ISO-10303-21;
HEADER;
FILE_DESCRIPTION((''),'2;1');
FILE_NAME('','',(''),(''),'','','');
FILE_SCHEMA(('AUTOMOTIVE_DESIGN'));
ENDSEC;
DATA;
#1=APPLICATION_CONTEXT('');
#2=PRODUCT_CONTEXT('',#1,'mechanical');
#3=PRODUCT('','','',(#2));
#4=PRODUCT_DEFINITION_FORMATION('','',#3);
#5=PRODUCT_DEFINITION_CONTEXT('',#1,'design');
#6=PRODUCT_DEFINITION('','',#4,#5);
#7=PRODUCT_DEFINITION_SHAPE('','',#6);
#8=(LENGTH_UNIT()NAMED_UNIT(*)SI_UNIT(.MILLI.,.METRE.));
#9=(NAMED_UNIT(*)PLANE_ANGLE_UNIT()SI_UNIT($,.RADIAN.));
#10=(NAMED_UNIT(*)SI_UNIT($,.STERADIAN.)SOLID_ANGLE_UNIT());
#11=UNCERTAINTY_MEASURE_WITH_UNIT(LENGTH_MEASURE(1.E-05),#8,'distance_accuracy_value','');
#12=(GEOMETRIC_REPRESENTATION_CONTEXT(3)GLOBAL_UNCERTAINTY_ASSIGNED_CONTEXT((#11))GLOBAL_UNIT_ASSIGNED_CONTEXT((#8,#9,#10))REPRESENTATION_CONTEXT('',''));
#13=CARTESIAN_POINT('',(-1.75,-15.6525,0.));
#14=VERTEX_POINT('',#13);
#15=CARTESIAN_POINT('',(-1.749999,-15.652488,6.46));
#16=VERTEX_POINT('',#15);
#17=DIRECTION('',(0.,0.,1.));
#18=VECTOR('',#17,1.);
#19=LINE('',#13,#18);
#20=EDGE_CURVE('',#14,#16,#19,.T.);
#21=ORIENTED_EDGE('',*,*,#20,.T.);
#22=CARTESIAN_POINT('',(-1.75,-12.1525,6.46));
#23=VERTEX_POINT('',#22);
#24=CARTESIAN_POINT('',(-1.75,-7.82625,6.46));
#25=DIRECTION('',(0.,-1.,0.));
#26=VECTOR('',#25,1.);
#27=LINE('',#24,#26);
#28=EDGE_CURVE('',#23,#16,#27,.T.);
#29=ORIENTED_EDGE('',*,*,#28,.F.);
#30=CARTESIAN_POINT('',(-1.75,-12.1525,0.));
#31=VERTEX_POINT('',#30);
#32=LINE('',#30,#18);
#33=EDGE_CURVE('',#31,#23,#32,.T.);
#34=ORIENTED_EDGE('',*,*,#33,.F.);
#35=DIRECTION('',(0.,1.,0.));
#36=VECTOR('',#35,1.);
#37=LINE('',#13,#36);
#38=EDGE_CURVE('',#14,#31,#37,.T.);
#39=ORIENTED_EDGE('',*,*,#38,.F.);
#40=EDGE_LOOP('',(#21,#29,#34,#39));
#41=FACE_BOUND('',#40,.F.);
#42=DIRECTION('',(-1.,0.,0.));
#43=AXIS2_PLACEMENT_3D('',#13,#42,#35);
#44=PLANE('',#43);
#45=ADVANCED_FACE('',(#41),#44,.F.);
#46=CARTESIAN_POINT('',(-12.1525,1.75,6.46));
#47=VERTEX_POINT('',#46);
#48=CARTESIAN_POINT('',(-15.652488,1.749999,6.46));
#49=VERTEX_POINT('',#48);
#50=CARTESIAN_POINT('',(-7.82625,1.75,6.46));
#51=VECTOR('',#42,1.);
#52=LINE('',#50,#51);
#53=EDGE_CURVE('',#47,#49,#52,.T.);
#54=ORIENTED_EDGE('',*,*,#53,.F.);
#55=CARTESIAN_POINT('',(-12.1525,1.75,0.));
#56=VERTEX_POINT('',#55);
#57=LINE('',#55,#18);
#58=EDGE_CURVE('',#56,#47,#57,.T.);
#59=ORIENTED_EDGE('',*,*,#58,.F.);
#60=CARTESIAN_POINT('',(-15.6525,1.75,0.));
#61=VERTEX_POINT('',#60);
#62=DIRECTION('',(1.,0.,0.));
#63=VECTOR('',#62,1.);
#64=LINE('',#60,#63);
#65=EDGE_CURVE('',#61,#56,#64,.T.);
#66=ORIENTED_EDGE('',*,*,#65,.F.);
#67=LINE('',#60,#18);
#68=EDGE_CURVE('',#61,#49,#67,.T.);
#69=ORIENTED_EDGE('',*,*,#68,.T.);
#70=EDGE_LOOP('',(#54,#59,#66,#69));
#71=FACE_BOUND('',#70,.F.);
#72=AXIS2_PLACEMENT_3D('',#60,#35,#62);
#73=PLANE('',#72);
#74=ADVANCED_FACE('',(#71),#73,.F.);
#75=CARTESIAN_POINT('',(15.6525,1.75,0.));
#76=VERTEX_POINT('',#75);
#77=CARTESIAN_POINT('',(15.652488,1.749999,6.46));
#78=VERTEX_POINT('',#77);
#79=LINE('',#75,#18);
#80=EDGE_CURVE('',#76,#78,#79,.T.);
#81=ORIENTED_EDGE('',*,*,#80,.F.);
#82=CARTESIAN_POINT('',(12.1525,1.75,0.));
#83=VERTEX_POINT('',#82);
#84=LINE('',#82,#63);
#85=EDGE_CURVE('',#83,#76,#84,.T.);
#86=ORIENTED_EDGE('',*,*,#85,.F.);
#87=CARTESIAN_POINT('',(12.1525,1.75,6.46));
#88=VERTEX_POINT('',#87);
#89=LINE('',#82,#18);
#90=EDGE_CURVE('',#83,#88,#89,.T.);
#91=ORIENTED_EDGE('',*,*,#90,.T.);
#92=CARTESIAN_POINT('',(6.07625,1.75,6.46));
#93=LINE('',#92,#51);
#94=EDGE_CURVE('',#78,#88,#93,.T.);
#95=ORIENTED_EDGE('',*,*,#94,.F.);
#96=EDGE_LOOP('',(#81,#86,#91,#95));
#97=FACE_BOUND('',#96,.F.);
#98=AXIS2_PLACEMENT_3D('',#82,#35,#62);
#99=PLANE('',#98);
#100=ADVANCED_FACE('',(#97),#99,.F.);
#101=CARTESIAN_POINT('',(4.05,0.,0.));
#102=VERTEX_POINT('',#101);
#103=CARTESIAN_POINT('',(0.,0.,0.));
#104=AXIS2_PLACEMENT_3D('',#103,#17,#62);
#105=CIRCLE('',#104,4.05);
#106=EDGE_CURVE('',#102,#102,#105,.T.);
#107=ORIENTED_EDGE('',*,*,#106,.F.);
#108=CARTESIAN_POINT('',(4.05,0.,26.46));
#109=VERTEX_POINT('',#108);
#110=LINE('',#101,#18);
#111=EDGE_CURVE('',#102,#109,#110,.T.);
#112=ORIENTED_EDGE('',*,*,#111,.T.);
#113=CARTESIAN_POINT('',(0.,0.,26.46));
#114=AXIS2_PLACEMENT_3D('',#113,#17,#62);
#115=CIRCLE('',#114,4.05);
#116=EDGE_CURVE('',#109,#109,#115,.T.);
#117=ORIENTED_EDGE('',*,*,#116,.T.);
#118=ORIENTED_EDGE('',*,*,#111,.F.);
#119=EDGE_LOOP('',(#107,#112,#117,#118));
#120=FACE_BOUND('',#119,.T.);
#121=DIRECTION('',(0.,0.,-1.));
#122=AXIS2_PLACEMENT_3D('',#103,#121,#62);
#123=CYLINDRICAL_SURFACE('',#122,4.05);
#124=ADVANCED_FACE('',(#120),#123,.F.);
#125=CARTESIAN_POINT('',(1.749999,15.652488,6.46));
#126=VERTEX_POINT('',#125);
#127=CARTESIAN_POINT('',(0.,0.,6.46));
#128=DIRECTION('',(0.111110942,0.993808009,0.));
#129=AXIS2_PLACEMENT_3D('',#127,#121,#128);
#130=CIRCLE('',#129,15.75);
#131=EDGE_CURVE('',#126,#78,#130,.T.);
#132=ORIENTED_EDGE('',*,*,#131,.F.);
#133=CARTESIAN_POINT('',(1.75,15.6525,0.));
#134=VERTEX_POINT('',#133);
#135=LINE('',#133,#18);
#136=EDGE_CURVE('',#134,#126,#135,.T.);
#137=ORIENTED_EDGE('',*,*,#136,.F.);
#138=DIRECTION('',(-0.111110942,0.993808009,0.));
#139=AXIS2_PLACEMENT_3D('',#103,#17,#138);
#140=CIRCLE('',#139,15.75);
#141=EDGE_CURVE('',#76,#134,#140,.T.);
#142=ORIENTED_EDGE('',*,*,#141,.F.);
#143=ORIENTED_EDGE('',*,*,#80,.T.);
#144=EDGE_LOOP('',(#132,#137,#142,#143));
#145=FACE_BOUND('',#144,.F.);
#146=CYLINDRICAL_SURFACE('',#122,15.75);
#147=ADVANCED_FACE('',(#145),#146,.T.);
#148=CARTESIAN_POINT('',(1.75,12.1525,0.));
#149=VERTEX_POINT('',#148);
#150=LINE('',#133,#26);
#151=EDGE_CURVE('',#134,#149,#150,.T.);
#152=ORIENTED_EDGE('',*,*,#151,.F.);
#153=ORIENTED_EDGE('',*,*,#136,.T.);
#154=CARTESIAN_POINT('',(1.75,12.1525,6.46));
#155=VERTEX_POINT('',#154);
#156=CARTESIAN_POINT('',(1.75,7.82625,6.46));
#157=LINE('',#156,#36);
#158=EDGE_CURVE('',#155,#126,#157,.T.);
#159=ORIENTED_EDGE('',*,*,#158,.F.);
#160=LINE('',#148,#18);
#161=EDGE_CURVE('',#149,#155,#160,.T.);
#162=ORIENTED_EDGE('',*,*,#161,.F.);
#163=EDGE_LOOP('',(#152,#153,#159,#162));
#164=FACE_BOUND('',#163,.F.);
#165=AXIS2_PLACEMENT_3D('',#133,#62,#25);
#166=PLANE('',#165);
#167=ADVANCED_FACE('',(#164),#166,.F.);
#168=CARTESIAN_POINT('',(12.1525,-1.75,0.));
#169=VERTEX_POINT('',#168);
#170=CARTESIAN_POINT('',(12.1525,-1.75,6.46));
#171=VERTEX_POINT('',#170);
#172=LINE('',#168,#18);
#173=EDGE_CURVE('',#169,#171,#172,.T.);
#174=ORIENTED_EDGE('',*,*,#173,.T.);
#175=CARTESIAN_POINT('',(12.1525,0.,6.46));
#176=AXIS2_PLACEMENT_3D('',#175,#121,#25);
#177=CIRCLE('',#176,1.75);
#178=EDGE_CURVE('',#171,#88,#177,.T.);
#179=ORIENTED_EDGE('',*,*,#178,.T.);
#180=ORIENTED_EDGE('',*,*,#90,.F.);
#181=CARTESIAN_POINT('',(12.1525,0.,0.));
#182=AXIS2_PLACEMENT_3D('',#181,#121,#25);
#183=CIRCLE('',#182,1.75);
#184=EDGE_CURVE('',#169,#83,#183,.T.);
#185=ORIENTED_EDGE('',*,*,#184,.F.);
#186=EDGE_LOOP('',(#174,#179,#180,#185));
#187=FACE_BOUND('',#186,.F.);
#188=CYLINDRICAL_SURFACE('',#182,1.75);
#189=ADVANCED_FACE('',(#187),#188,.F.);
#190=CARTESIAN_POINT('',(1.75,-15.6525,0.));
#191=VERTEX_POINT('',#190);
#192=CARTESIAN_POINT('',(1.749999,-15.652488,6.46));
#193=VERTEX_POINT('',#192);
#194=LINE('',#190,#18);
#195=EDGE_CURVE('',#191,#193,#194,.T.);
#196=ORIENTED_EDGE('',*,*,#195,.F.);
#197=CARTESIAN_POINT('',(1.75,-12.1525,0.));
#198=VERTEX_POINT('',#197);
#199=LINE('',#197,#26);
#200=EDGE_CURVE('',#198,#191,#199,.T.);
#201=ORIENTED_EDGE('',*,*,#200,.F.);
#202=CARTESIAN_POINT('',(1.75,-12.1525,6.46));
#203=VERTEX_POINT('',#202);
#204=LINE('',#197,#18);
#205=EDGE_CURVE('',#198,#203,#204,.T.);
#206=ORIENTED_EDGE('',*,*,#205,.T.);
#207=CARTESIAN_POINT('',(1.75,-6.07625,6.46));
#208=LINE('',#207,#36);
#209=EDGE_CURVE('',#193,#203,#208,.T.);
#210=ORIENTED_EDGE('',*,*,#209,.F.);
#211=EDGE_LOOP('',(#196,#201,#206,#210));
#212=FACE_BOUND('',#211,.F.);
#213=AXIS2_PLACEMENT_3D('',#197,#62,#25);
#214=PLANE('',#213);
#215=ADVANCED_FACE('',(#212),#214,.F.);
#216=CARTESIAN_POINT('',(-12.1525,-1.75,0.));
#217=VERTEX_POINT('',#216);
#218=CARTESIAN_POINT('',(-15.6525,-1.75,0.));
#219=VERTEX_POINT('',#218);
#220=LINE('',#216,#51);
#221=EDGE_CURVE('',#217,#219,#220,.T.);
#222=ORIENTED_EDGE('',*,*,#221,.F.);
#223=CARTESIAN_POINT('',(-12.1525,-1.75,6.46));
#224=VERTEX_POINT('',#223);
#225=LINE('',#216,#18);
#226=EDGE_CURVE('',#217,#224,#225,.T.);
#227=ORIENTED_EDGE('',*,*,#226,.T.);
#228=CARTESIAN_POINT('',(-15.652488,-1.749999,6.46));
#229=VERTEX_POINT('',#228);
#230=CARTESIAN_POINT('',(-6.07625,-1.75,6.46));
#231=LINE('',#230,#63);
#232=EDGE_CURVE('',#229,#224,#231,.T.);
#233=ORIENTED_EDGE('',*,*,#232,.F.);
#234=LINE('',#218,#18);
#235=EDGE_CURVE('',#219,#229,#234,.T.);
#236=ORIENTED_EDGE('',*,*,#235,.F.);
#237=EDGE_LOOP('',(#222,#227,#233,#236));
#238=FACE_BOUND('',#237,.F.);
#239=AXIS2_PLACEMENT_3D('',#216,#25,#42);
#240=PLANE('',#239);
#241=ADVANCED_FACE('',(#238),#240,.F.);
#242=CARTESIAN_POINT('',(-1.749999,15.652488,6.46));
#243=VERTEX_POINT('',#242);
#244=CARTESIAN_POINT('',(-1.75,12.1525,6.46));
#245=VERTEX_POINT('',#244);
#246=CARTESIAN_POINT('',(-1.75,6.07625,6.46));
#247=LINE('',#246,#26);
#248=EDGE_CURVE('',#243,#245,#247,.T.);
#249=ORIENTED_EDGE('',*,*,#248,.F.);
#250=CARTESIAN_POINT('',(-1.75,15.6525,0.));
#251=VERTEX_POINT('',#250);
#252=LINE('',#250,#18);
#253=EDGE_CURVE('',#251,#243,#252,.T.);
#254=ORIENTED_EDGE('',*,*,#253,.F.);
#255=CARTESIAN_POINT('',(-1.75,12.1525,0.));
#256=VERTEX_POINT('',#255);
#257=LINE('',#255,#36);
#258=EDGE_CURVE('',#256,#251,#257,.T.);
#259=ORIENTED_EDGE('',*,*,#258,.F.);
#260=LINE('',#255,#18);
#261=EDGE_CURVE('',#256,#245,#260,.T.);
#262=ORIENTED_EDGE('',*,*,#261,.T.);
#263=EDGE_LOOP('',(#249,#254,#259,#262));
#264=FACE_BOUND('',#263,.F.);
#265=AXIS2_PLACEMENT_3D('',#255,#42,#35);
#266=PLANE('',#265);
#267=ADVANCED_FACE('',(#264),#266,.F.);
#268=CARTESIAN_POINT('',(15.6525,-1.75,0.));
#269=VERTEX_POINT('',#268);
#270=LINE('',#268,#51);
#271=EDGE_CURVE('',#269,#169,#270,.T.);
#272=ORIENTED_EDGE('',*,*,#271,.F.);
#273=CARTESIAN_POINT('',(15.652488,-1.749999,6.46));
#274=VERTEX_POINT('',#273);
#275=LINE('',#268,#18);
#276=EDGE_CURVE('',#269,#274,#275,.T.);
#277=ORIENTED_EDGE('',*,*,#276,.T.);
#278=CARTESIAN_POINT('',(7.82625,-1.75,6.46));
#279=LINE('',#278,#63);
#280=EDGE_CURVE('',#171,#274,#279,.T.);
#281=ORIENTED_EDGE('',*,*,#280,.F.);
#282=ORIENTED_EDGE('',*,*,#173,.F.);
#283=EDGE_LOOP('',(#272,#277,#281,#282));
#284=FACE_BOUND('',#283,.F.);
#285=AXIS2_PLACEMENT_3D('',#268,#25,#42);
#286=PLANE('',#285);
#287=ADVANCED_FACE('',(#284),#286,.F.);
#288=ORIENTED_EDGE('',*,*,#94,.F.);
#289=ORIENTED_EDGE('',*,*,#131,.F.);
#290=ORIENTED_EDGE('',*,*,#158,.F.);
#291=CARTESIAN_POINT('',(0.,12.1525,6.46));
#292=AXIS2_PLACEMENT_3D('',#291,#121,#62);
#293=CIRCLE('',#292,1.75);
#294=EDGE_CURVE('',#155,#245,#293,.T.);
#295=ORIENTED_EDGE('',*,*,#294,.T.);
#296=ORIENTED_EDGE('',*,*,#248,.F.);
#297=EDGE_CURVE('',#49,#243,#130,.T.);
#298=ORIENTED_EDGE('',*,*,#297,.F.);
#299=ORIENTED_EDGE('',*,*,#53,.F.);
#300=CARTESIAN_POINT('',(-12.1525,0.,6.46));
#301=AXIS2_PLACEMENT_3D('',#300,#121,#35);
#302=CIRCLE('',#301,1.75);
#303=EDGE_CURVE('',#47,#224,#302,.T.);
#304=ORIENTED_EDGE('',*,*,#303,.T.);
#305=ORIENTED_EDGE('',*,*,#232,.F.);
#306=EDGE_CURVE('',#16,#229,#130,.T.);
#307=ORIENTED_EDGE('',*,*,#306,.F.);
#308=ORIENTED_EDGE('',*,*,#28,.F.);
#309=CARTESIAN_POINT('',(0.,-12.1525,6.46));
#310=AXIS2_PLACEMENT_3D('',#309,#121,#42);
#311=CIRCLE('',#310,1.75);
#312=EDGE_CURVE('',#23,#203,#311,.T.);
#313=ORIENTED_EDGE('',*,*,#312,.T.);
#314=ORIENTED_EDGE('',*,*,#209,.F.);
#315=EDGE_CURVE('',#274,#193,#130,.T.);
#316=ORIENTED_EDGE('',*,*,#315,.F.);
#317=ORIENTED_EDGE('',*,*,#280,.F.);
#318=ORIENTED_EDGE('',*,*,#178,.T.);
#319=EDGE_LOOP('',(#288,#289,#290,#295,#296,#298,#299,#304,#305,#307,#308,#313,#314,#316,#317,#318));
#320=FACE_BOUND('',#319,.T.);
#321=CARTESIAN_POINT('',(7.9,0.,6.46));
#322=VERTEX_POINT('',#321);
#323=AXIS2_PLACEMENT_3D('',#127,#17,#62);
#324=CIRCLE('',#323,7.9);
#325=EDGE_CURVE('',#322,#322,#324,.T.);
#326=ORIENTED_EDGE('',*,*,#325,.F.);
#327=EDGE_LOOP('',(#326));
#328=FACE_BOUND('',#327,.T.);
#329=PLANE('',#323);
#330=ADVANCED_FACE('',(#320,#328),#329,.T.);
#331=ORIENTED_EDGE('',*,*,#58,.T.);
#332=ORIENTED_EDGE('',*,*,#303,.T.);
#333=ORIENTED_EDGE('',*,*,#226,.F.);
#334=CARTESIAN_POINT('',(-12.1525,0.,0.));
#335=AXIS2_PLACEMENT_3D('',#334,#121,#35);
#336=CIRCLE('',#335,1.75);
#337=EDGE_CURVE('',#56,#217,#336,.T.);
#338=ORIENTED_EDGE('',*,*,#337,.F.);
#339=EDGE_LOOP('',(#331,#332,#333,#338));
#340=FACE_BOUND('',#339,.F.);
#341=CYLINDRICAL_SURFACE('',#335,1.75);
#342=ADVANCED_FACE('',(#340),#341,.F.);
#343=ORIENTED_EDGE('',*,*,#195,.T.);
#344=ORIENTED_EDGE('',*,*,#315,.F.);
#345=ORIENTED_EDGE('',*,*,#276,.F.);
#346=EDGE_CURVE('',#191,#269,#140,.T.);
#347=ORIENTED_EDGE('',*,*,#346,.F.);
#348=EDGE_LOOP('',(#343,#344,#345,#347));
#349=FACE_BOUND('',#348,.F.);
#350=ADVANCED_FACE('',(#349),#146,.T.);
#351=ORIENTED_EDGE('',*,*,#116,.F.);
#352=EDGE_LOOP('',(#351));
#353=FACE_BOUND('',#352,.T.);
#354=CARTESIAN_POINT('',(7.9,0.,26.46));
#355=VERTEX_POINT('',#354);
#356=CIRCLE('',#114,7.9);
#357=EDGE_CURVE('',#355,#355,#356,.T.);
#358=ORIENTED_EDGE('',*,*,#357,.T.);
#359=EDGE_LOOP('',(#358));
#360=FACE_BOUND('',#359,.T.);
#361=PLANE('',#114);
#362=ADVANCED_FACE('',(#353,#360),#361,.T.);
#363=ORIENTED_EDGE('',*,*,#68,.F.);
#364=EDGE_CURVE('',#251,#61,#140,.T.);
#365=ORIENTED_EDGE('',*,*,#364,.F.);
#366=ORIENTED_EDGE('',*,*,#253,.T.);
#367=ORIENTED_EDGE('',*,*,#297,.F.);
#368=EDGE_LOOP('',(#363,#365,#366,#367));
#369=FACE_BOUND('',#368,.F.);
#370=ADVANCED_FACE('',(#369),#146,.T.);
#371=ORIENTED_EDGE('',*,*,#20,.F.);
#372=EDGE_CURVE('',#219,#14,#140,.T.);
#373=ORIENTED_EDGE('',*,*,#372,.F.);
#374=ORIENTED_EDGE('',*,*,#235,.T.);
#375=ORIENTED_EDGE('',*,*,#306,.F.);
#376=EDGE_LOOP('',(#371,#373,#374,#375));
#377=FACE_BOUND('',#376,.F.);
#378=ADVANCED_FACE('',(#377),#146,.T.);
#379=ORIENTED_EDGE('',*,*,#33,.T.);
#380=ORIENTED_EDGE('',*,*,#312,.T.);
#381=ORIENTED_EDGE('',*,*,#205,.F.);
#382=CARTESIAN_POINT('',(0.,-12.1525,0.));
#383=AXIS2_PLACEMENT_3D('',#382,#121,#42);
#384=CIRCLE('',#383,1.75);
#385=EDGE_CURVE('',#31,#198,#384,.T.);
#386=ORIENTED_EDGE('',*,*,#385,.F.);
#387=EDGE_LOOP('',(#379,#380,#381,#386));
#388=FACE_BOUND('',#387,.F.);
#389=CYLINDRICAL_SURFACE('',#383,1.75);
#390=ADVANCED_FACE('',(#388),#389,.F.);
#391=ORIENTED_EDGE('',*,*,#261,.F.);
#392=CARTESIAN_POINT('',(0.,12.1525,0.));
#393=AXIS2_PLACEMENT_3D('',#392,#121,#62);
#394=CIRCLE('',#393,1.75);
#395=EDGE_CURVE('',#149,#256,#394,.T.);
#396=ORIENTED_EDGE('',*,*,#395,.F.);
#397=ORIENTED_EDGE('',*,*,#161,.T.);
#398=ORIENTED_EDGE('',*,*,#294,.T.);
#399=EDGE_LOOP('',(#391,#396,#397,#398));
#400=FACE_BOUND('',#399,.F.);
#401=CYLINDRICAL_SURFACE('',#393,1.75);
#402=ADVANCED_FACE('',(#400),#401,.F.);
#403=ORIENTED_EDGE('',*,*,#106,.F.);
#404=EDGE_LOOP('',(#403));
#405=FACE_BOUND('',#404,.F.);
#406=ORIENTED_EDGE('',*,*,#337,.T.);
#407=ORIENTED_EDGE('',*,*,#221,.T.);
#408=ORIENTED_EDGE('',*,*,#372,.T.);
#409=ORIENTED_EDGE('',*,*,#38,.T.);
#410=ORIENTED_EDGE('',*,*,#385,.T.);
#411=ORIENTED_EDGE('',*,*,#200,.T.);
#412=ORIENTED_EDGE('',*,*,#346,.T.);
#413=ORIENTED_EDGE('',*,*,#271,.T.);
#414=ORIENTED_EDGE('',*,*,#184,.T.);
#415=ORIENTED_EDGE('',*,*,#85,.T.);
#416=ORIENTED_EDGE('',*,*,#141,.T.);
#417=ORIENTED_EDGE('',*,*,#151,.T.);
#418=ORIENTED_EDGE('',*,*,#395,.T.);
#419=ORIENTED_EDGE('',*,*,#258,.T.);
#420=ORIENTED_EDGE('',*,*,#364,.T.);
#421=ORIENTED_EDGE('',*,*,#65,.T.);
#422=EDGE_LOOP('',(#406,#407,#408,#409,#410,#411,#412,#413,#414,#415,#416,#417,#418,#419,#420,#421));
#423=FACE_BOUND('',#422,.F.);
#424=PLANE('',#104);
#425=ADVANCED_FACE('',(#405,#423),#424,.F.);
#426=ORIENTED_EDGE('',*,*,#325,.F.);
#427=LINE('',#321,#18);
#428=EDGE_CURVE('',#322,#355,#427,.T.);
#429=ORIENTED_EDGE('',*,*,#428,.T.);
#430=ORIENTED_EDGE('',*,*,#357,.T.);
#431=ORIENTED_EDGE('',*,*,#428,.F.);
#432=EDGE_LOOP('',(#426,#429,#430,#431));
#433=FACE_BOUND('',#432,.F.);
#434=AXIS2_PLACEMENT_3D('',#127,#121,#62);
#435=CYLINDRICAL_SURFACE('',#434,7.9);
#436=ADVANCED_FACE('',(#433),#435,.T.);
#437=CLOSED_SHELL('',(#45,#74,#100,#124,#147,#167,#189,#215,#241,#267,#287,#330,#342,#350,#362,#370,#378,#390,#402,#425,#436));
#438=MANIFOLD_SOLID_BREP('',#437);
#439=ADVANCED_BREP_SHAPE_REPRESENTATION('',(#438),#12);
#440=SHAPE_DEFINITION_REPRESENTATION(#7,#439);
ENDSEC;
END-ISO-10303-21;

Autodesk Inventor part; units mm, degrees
ref_plane "YZ Plane" through (0, 0, 0) normal (1, 0, 0) x (0, 1, 0)
ref_plane "XZ Plane" through (0, 0, 0) normal (0, 1, 0) x (-1, 0, 0)
ref_plane "XY Plane" through (0, 0, 0) normal (0, 0, 1) x (1, 0, 0)
sketch "Sketch1" plane through (0, 0, 0) normal (0, 0, 1) x (1, 0, 0)
  circle A0 centre (0, 0) radius 15.75
  circle A1 centre (0, 0) radius 4.05
  dimension "d0" = 31.5
  dimension "d1" = 8.1
extrude "Extrusion1" add sketch "Sketch1" along normal blind 6.46
sketch "Sketch2" plane through (0, 0, 6.46) normal (0, 0, 1) x (1, 0, 0)
  circle A0 centre (0, 0) radius 4.05 projected
  circle A1 centre (0, 0) radius 15.75 projected
  circle A2 centre (0, 0) radius 7.9
  circle A3 centre (0, 0) radius 4.05
  dimension "d4" = 15.8
extrude "Extrusion2" add sketch "Sketch2" along normal blind 20 contours A2
sketch "Sketch3" plane through (0, 0, 0) normal (0, 0, -1) x (-1, 0, 0)
  circle A0 centre (0, 0) radius 4.05 projected
  circle A1 centre (0, 0) radius 15.75 projected
  line L0 (-1.75, 15.6525) -> (-1.75, 12.1525)
  line L1 (1.75, 12.1525) -> (1.75, 15.6525)
  arc A2 (-1.75, 12.1525) -> (1.75, 12.1525) centre (0, 12.1525) ccw
  arc A3 (1.75, 15.6525) -> (-1.75, 15.6525) centre (0, 0) ccw
  dimension "d7" = 3.5
  dimension "d8" = 3.5
extrude "Extrusion3" cut sketch "Sketch3" against normal blind 20 contours L1 A2 L0 A1 picked at (0.1948, 13.3481)
pattern_circular "Circular Pattern1" count 4 over 360 about axis through (0, 0, 0) along (0, 0, 1) of "Extrusion3"
properties part number "Nut"
